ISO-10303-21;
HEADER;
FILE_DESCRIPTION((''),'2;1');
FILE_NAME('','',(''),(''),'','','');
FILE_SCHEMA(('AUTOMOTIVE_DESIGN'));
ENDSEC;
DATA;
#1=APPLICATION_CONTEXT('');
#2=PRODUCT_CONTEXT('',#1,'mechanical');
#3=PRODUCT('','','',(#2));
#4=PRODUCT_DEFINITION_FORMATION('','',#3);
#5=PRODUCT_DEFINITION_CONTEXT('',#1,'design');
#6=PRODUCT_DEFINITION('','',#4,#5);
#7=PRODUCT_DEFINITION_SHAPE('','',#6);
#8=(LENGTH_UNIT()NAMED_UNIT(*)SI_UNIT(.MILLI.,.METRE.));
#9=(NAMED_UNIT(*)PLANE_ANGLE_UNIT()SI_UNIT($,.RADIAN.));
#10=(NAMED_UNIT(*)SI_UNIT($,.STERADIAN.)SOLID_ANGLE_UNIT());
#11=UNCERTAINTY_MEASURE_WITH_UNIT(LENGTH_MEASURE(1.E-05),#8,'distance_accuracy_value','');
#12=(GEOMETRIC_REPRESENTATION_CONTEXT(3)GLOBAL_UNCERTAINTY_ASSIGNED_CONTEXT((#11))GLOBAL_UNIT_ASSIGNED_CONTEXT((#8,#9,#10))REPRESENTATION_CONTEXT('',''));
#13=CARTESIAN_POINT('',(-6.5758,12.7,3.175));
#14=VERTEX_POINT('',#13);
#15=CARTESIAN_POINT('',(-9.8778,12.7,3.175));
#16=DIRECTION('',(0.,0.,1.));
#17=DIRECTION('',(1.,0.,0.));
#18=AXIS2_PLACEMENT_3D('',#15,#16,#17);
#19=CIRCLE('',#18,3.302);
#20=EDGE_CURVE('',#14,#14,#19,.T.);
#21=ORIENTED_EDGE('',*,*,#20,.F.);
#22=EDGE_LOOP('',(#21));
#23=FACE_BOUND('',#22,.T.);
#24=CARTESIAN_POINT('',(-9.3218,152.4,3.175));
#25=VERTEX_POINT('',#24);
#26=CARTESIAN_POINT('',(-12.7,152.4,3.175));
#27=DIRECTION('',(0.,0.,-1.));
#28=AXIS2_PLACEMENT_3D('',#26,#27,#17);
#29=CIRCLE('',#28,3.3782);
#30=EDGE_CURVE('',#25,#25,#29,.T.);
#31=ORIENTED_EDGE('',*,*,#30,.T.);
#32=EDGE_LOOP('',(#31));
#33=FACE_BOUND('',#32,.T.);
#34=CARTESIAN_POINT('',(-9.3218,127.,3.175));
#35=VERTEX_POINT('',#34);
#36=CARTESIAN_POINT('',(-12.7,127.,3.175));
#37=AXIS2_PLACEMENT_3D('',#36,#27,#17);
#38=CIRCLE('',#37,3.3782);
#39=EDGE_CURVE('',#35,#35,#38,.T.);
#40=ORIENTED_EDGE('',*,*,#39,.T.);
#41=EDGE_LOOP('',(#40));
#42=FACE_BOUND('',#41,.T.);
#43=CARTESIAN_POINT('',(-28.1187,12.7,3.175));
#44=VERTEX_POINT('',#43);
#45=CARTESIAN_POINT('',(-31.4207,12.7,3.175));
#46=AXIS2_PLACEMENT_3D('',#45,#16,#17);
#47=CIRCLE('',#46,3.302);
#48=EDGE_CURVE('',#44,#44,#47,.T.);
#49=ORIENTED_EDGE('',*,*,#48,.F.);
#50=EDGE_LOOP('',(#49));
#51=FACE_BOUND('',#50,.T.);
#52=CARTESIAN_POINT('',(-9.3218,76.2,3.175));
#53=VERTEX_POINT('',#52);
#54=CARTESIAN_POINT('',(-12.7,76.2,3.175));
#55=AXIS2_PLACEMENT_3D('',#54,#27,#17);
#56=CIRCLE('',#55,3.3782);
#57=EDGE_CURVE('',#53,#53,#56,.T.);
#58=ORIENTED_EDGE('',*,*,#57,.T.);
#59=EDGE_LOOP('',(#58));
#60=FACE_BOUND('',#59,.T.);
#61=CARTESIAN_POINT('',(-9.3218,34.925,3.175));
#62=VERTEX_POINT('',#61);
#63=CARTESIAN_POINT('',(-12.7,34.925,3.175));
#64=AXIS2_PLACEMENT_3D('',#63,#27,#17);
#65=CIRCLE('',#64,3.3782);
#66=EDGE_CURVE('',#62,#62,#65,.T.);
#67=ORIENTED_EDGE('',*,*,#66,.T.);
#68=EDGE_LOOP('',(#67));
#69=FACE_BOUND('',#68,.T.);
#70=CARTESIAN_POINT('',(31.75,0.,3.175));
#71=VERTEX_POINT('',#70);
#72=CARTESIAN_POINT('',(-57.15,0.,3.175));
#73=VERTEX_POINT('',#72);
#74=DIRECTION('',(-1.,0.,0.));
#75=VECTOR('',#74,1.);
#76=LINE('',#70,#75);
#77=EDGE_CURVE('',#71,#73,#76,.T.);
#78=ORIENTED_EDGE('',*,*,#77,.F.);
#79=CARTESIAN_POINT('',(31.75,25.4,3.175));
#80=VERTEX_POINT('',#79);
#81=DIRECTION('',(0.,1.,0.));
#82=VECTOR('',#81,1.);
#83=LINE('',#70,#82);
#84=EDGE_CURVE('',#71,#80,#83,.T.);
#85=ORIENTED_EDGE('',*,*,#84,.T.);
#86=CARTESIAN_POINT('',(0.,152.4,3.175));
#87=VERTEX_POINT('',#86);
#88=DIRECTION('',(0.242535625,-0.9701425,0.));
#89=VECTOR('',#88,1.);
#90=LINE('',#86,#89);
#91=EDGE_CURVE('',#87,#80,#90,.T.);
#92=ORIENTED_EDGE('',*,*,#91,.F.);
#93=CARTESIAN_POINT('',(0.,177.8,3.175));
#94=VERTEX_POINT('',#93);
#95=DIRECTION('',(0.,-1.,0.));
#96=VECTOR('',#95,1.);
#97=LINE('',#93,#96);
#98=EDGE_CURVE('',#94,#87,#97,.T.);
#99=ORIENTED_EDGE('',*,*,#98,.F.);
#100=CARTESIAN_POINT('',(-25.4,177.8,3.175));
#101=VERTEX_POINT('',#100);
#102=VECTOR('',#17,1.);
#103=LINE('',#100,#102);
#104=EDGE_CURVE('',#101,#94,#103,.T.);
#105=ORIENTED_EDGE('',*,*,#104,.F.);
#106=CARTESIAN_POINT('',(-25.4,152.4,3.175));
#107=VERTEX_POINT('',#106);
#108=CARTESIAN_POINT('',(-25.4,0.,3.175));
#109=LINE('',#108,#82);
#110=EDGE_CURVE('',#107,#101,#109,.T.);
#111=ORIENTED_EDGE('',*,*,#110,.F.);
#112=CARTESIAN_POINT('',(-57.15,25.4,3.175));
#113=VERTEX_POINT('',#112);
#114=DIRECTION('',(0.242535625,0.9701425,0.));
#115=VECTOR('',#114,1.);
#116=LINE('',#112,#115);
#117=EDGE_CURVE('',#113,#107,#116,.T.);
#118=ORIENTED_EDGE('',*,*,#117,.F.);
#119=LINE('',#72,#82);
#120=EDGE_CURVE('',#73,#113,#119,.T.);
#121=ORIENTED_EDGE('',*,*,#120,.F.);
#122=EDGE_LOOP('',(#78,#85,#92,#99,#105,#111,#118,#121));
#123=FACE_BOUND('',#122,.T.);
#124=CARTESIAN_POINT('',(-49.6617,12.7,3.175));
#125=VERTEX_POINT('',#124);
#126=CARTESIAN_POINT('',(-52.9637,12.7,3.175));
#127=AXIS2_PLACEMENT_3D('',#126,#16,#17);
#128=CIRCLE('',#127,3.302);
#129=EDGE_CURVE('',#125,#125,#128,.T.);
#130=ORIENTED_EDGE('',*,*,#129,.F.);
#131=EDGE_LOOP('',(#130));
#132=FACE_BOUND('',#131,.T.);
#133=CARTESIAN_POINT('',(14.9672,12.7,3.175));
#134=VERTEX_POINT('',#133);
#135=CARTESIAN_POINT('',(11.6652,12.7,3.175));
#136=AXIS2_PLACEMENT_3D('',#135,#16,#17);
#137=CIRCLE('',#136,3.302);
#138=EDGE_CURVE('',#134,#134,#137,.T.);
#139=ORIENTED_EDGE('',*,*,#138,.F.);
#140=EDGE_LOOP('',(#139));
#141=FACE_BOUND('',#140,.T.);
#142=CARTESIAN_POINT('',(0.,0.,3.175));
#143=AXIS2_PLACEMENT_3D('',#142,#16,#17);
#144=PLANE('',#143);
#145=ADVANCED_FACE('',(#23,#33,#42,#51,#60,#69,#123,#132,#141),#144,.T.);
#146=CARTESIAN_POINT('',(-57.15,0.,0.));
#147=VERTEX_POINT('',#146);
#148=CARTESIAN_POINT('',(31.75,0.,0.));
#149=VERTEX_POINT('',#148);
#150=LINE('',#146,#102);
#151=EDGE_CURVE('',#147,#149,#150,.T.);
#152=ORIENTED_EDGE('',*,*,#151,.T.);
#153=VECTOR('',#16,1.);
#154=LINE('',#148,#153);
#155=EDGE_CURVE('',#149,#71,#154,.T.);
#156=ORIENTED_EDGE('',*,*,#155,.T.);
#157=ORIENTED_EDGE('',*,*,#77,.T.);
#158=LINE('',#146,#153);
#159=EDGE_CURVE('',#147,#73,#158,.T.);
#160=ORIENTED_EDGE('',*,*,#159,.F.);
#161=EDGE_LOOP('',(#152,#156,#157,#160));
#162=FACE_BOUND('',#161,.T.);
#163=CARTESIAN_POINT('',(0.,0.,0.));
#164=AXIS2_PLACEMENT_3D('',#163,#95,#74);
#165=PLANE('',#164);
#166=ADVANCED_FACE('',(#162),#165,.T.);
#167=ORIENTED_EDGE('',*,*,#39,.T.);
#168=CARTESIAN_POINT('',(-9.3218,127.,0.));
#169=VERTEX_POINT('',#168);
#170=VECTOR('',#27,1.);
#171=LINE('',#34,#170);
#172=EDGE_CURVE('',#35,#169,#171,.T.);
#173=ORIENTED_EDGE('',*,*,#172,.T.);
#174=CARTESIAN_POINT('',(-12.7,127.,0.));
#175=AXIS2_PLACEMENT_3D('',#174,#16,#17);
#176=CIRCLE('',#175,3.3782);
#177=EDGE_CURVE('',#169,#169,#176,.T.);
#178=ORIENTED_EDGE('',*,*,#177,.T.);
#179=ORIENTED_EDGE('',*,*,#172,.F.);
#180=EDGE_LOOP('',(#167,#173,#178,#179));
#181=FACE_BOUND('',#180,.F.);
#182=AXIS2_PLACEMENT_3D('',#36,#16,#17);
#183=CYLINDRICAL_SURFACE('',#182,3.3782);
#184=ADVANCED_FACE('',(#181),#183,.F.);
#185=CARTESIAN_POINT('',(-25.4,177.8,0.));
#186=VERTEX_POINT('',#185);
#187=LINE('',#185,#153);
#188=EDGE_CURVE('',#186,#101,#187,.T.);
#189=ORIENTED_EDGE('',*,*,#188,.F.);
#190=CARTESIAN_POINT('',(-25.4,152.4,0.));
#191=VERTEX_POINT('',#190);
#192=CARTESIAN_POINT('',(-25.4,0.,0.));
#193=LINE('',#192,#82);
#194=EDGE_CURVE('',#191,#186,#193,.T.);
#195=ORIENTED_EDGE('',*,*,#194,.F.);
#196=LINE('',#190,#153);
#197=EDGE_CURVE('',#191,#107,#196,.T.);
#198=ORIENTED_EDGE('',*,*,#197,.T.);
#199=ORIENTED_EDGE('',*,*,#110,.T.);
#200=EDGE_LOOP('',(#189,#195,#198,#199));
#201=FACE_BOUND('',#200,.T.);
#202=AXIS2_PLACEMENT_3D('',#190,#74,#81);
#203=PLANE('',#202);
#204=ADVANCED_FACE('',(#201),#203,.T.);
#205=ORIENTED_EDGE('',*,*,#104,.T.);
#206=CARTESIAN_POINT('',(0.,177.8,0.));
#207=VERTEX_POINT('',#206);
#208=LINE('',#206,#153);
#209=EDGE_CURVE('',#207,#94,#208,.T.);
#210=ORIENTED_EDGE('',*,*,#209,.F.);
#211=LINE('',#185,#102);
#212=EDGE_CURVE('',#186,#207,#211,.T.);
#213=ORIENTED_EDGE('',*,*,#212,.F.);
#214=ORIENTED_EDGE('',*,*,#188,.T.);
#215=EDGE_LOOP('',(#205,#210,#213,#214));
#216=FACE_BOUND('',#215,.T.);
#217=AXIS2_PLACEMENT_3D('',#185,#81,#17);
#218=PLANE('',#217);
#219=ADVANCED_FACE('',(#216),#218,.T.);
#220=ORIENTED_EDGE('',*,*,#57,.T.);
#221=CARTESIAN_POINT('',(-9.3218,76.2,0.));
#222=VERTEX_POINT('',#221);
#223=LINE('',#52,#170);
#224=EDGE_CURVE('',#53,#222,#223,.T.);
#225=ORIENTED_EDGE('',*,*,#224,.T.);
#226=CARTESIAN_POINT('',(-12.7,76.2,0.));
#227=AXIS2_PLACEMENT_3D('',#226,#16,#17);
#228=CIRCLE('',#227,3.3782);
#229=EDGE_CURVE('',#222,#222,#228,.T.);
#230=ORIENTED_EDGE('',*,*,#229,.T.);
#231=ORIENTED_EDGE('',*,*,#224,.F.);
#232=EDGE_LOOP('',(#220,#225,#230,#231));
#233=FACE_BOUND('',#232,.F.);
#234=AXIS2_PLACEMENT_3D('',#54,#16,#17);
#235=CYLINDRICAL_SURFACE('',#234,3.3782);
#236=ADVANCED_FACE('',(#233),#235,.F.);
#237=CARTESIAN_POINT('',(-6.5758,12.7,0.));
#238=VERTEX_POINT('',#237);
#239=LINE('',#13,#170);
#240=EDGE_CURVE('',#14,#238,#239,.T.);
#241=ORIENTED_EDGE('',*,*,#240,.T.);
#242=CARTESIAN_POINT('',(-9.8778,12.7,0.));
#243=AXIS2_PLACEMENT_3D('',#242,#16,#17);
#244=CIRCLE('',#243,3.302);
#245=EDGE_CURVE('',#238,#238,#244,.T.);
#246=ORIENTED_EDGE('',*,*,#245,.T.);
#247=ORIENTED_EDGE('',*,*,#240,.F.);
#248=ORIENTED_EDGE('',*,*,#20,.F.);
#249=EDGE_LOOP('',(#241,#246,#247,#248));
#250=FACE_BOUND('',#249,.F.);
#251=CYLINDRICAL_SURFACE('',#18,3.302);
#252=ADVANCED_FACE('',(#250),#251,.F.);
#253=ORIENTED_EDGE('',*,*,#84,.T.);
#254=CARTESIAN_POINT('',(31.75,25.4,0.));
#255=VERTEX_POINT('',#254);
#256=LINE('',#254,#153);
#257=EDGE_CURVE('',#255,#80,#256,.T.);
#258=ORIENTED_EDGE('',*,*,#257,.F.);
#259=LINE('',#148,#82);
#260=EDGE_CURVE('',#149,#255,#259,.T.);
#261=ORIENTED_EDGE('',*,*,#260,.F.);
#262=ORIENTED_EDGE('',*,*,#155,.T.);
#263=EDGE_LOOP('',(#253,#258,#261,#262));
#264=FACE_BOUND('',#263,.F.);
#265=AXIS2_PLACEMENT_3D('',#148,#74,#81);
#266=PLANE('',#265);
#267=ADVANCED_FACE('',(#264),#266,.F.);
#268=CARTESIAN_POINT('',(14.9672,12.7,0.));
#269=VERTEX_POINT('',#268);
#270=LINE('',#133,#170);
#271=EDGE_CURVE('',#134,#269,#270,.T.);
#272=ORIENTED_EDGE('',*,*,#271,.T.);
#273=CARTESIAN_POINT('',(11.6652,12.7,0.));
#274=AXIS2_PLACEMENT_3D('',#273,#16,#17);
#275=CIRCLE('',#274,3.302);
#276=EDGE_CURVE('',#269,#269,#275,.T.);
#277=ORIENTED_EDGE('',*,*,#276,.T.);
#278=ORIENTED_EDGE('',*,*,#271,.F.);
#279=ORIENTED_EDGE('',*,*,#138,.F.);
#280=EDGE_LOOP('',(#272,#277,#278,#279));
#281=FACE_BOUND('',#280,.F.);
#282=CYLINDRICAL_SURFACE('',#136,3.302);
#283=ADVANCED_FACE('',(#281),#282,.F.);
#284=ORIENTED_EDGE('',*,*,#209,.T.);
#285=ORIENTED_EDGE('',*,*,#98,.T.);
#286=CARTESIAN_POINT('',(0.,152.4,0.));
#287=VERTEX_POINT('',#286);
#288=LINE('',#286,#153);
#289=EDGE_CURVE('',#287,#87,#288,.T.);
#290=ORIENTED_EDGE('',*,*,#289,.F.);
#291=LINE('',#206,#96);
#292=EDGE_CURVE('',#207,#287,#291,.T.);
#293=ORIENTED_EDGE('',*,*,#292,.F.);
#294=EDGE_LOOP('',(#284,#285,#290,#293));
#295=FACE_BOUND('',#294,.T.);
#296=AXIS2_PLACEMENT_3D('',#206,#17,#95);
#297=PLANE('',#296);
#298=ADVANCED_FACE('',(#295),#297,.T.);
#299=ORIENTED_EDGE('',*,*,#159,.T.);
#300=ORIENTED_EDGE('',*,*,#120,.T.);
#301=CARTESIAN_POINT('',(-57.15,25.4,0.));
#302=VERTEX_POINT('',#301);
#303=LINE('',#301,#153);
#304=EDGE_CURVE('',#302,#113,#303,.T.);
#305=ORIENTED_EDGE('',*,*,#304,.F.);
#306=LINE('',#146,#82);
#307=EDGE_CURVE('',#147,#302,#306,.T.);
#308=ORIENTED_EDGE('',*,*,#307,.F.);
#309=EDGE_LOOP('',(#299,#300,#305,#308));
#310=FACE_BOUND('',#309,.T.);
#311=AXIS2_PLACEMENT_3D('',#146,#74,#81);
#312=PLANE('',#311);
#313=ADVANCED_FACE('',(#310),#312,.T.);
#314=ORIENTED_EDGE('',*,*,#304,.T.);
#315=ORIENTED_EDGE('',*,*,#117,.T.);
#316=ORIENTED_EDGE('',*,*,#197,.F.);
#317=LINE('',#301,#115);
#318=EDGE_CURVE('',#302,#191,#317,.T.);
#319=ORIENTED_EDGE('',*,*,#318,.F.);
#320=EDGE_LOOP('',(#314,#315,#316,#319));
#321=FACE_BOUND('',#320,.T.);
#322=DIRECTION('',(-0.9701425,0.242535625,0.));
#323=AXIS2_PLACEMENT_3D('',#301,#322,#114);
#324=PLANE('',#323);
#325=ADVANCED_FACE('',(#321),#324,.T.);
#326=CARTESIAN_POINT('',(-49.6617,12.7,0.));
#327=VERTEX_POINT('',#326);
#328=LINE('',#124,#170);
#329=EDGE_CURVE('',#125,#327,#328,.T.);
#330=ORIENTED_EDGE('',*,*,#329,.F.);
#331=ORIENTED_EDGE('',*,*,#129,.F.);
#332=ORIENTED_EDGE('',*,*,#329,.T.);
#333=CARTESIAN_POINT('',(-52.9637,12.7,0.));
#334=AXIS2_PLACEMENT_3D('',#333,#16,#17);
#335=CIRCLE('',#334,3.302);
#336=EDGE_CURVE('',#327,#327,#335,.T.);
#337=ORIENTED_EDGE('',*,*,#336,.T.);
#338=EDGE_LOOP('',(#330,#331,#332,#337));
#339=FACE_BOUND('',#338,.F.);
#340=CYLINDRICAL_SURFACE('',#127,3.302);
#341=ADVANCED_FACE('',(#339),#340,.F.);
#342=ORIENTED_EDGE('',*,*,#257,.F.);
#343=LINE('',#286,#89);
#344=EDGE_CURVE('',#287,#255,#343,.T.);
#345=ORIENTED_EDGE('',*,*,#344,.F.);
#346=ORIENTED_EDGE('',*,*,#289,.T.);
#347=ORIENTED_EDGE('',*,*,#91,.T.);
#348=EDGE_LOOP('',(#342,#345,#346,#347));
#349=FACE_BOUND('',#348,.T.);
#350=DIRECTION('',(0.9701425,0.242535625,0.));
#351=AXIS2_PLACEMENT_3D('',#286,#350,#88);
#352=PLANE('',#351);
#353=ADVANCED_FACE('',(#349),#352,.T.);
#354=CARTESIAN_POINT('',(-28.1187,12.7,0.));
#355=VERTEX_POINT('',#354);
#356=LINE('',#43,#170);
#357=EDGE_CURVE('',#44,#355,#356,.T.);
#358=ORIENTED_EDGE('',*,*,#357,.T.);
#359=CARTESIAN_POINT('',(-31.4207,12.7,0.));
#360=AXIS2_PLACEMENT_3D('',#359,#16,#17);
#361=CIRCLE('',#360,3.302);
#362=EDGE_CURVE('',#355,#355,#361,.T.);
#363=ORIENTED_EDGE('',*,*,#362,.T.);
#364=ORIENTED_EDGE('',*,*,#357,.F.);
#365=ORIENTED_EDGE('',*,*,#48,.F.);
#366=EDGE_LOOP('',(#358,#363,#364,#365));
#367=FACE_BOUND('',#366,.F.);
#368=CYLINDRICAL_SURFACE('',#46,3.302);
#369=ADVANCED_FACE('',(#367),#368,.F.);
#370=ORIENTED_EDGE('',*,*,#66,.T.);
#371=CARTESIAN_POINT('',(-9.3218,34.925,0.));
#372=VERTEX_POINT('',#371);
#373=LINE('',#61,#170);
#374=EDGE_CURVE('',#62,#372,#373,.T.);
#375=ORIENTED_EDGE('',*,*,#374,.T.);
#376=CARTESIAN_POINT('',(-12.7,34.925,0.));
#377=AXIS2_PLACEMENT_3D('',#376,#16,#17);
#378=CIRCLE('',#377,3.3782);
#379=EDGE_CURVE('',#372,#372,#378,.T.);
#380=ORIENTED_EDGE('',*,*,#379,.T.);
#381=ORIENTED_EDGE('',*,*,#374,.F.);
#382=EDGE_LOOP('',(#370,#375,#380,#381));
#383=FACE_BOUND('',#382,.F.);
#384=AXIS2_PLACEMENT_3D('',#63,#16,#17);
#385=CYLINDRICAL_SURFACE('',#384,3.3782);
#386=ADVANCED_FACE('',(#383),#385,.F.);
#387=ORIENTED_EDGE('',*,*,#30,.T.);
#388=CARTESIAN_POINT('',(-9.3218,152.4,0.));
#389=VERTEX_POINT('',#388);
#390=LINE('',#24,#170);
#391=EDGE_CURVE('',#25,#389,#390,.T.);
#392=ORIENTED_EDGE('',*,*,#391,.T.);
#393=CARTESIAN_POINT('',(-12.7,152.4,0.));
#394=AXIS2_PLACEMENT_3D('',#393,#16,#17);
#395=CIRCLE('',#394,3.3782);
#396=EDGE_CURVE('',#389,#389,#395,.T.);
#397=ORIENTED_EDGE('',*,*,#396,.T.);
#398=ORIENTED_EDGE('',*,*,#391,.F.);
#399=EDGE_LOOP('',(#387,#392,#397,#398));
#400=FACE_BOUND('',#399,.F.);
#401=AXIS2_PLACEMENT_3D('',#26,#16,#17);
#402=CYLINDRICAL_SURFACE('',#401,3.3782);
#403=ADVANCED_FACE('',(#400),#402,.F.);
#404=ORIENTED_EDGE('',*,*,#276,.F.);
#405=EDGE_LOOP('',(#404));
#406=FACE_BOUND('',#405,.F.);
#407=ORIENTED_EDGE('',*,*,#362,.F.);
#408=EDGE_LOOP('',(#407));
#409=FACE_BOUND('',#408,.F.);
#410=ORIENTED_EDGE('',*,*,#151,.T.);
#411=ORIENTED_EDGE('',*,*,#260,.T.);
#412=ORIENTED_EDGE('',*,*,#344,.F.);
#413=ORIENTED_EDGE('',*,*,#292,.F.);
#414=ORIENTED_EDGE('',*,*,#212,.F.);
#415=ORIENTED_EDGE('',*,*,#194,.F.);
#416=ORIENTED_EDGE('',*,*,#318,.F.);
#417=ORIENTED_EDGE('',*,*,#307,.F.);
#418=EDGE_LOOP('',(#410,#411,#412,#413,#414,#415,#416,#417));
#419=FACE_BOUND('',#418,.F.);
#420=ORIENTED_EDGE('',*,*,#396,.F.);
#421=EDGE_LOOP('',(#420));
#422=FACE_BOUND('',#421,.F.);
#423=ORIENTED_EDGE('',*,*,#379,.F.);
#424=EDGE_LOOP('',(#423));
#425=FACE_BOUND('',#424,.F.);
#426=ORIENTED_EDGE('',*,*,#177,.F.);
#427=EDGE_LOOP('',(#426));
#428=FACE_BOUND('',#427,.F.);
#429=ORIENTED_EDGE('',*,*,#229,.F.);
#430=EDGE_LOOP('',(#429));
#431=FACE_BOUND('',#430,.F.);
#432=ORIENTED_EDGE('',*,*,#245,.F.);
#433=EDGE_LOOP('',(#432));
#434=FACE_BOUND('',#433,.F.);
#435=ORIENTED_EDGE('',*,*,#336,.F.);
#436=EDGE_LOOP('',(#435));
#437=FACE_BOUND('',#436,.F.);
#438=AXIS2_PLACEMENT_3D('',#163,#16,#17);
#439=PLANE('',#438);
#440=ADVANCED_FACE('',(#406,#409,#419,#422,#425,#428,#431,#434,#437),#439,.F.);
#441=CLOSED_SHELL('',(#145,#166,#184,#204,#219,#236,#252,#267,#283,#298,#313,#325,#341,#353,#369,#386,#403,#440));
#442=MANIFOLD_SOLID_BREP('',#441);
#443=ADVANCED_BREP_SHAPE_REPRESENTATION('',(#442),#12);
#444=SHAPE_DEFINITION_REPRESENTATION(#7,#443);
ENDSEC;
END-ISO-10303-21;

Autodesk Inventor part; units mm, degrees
ref_plane "YZ Plane" through (0, 0, 0) normal (1, 0, 0) x (0, 1, 0)
ref_plane "XZ Plane" through (0, 0, 0) normal (0, 1, 0) x (-1, 0, 0)
ref_plane "XY Plane" through (0, 0, 0) normal (0, 0, 1) x (1, 0, 0)
sketch "Sketch1" plane through (0, 0, 0) normal (0, 0, 1) x (1, 0, 0)
  line L0 (0, 0) -> (-25.4, 0)
  line L1 (-25.4, 0) -> (-25.4, 177.8)
  line L2 (-25.4, 177.8) -> (0, 177.8)
  line L3 (0, 177.8) -> (0, 0)
  line L4 (-25.4, 0) -> (-57.15, 0)
  line L5 (0, 0) -> (31.75, 0)
  line L6 (31.75, 0) -> (31.75, 25.4)
  line L7 (31.75, 25.4) -> (0, 25.4)
  line L8 (-57.15, 0) -> (-57.15, 25.4)
  line L9 (-57.15, 25.4) -> (-25.4, 25.4)
  line L10 (31.75, 25.4) -> (28.575, 25.4)
  line L11 (-25.4, 177.8) -> (-25.4, 152.4)
  line L12 (0, 177.8) -> (0, 150.469)
  line L13 (0, 177.8) -> (0, 152.4)
  line L14 (-57.15, 25.4) -> (-25.4, 152.4)
  line L15 (0, 152.4) -> (31.75, 25.4)
  dimension "d0" = 177.8
  dimension "d3" = 25.4
  dimension "d4" = 31.75
  dimension "d5" = 31.75
  dimension "d6" = 25.4
  dimension "d7" = 3.175
  dimension "d16" = 25.4
extrude "Extrusion1" add sketch "Sketch1" along normal blind 3.175
sketch "Sketch2" plane through (0, 0, 3.175) normal (0, 0, 1) x (1, 0, 0)
  line L0 (0, 177.8) -> (-25.4, 177.8) projected
  line L1 (-57.15, 25.4) -> (-57.15, 0) projected
  line L2 (-12.7, 177.8) -> (-12.7, 152.4)
  line L3 (-12.7, 152.4) -> (-12.7, 127)
  circle A0 centre (-12.7, 152.4) radius 3.3782
  circle A1 centre (-12.7, 127) radius 3.3782
  point P0 (0, 0)
  dimension "d10" = 25.4
  dimension "d11" = 25.4
  dimension "d12" = 6.7564
  dimension "d13" = 6.7564
extrude "Extrusion2" cut sketch "Sketch2" against normal blind 25.4
sketch "Sketch4" plane through (0, 0, 3.175) normal (0, 0, 1) x (1, 0, 0)
  circle A0 centre (11.6652, 12.7) radius 3.302 projected
  circle A1 centre (-9.8778, 12.7) radius 3.302 projected
  circle A2 centre (-52.9637, 12.7) radius 3.302 projected
  line L0 (74.422, 18.3438) -> (91.6421, 18.3438) projected
  circle A3 centre (-31.4207, 12.7) radius 3.302 projected
  point P0 (0, 0)
extrude "Extrusion3" cut sketch "Sketch4" against normal blind 25.4
sketch "Sketch5" plane through (0, 0, 3.175) normal (0, 0, 1) x (1, 0, 0)
  circle A0 centre (-12.7, 127) radius 3.3782 projected
  line L0 (-57.15, 25.4) -> (-57.15, 0) projected
  line L1 (-12.7, 127) -> (-12.7, 76.2)
  circle A1 centre (-12.7, 76.2) radius 3.3782
  point P0 (0, 0)
  dimension "d22" = 50.8
  dimension "d23" = 6.7564
extrude "Extrusion4" cut sketch "Sketch5" against normal blind 25.4 contours A1
sketch "Sketch6" plane through (0, 0, 3.175) normal (0, 0, 1) x (1, 0, 0)
  circle A0 centre (-12.7, 76.2) radius 3.3782 projected
  line L0 (-57.15, 25.4) -> (-57.15, 0) projected
  line L1 (-12.7, 76.2) -> (-12.7, 34.925)
  circle A1 centre (-12.7, 34.925) radius 3.3782
  point P0 (0, 0)
  dimension "d26" = 41.275
  dimension "d27" = 6.7564
extrude "Extrusion5" cut sketch "Sketch6" against normal blind 25.4 contours A1
properties part number "winch support" material "Aluminum 6061"
